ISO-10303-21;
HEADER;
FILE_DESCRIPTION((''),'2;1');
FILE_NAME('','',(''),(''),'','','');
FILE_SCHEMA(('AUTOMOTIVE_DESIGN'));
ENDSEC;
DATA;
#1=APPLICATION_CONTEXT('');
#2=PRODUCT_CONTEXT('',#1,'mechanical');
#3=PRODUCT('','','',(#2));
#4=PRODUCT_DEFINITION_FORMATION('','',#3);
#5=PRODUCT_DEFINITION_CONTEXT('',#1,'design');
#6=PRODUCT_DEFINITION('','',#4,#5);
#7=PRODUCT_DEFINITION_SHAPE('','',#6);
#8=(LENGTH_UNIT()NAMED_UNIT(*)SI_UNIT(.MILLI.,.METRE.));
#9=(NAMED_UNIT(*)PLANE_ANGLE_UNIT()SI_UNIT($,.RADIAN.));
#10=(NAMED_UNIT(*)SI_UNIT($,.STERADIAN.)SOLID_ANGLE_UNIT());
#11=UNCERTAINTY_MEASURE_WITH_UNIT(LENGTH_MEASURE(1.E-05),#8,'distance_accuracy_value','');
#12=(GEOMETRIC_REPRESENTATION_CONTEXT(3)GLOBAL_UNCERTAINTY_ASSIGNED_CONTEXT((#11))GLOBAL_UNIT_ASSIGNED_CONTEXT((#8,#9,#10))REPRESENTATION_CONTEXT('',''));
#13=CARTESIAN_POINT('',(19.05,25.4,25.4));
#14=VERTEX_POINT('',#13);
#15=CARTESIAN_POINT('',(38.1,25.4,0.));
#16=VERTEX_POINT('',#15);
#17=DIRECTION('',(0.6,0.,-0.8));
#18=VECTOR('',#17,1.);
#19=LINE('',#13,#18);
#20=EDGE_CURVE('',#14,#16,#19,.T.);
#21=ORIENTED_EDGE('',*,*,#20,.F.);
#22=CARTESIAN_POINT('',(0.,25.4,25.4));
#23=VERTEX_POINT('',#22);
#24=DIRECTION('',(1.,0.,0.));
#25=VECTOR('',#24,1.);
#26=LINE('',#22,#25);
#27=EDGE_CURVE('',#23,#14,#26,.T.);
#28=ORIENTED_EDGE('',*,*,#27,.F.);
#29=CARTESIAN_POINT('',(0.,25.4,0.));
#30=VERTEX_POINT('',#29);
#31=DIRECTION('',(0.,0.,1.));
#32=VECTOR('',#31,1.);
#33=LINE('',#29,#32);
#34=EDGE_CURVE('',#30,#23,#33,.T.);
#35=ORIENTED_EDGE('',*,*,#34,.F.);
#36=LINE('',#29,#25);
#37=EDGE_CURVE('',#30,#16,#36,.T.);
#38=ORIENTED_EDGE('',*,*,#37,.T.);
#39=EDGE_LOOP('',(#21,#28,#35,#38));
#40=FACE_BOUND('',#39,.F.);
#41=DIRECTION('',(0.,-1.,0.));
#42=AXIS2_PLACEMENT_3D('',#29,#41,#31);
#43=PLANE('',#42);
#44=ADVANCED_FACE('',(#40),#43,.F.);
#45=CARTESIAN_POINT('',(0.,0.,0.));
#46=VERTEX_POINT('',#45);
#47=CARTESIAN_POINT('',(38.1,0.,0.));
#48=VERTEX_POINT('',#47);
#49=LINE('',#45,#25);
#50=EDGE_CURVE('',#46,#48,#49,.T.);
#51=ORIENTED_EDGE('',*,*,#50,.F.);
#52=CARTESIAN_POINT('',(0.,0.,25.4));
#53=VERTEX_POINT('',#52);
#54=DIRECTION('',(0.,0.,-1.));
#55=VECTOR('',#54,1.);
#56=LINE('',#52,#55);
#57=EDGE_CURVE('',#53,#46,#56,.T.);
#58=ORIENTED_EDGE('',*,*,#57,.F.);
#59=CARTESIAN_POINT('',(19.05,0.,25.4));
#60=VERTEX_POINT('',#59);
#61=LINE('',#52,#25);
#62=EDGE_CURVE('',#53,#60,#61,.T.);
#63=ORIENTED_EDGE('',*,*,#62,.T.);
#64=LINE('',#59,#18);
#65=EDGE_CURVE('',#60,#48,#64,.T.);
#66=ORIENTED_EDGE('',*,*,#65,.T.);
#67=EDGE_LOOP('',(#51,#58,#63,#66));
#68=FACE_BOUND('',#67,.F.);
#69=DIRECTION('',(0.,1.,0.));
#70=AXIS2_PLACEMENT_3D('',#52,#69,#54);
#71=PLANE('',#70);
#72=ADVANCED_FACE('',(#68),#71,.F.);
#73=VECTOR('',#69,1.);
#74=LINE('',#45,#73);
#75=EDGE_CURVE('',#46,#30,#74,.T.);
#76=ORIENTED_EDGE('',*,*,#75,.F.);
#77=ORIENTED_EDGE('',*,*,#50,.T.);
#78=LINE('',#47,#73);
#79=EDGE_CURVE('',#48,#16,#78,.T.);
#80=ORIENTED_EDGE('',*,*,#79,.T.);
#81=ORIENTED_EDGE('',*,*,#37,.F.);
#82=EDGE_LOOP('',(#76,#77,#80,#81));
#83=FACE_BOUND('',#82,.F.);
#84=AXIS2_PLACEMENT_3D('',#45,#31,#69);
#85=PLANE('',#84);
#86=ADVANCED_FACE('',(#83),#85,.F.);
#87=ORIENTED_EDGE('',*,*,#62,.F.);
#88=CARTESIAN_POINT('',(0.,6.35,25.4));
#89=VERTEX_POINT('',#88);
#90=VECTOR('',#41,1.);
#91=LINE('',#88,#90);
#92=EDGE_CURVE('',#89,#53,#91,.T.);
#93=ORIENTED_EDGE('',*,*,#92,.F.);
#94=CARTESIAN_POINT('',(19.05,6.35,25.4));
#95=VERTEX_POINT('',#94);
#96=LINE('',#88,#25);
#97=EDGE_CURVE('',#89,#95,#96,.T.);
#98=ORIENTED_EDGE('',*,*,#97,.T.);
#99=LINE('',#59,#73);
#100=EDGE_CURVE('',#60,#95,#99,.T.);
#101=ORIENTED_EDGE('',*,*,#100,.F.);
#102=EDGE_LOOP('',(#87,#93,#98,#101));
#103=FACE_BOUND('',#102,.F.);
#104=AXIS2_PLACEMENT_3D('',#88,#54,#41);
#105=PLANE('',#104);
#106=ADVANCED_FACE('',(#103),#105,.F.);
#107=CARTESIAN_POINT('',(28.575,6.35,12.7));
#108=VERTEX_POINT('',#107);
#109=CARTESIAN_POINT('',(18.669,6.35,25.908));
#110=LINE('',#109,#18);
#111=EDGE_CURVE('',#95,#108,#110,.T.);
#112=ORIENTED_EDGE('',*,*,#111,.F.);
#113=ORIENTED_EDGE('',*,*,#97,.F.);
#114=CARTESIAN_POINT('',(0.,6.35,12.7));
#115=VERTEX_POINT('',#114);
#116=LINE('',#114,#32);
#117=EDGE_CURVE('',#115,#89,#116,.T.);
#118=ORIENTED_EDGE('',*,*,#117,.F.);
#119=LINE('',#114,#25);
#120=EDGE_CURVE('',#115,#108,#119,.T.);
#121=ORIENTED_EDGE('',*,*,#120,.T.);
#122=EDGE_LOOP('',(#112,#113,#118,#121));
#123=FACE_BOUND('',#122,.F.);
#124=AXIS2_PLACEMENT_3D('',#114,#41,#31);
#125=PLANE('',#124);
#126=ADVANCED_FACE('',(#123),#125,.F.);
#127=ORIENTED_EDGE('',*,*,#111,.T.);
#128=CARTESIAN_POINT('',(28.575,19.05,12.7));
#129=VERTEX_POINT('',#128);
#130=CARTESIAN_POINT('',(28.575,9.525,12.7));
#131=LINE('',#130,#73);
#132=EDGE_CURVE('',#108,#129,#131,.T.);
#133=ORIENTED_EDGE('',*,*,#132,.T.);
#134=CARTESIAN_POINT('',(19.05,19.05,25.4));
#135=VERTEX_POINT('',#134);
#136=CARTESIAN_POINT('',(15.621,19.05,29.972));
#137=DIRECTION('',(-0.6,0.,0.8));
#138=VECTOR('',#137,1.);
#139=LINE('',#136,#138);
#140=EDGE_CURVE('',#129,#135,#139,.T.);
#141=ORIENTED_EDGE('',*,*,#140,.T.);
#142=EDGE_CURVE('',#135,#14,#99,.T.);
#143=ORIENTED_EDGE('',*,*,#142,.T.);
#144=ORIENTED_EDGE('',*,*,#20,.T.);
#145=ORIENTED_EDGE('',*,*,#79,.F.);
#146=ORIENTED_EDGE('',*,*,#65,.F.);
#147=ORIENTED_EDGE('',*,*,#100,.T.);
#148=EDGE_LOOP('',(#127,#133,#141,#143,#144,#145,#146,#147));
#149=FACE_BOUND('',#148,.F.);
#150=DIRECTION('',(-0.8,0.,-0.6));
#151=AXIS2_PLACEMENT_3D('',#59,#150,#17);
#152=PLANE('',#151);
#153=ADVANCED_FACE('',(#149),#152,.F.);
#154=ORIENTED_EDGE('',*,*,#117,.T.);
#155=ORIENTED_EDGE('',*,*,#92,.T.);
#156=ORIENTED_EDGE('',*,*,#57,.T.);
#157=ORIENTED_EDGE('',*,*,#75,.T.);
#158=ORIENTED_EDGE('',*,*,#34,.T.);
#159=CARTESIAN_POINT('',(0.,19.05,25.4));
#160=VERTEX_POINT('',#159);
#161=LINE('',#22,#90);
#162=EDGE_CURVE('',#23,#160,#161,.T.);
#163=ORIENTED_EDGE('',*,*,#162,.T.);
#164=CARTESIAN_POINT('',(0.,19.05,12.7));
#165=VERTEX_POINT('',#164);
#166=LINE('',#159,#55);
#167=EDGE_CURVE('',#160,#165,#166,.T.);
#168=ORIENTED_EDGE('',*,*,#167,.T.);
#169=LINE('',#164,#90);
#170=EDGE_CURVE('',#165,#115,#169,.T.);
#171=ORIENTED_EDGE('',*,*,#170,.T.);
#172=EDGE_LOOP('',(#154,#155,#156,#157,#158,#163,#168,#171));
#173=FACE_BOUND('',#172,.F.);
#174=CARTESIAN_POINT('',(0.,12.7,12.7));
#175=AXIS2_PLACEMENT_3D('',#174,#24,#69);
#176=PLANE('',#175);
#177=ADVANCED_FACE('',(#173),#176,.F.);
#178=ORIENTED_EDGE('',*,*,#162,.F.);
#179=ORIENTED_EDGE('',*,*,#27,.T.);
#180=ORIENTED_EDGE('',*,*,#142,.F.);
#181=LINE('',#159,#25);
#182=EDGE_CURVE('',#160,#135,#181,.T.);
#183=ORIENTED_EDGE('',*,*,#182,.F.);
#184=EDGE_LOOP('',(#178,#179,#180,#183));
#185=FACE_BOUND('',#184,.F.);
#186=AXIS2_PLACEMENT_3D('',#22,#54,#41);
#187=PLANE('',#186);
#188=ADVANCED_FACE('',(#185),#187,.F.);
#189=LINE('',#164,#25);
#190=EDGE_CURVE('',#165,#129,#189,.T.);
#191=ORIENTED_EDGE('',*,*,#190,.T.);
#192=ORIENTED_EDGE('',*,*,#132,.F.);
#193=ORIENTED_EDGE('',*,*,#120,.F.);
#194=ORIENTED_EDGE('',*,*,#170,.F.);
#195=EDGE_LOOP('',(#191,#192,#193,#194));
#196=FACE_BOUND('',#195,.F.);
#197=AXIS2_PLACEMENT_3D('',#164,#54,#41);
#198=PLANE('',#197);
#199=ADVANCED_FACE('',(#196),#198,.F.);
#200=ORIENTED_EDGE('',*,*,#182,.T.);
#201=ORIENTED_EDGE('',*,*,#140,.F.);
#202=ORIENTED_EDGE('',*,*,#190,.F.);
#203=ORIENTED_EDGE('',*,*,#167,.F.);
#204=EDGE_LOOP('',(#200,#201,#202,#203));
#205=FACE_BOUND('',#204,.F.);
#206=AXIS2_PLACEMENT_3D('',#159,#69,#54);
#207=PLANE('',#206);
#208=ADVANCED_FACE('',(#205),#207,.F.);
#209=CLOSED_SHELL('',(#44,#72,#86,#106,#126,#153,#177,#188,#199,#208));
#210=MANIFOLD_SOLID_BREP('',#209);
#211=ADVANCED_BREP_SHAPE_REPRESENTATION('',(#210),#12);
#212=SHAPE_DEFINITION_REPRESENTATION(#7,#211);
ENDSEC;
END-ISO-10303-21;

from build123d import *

# Parameters (mm, degrees)
F1_DEPTH = 38.1
F3_DEPTH = 25.4


with BuildPart() as f1:
    # F0 (on Right) → F1 (new body)
    with BuildSketch(Plane.YZ):
        Polygon((0, 25.4), (0, 0), (25.4, 0), (25.4, 25.4), (19.05, 25.4), (19.05, 12.7), (6.35, 12.7), (6.35, 25.4), align=None)
    extrude(amount=F1_DEPTH)

    # F2 (on Front) → F3 (cut)
    with BuildSketch(Plane.XZ):
        Polygon((38.1, 25.4), (19.05, 25.4), (38.1, 0), align=None)
    extrude(amount=-F3_DEPTH, mode=Mode.SUBTRACT)


solid = f1.part
